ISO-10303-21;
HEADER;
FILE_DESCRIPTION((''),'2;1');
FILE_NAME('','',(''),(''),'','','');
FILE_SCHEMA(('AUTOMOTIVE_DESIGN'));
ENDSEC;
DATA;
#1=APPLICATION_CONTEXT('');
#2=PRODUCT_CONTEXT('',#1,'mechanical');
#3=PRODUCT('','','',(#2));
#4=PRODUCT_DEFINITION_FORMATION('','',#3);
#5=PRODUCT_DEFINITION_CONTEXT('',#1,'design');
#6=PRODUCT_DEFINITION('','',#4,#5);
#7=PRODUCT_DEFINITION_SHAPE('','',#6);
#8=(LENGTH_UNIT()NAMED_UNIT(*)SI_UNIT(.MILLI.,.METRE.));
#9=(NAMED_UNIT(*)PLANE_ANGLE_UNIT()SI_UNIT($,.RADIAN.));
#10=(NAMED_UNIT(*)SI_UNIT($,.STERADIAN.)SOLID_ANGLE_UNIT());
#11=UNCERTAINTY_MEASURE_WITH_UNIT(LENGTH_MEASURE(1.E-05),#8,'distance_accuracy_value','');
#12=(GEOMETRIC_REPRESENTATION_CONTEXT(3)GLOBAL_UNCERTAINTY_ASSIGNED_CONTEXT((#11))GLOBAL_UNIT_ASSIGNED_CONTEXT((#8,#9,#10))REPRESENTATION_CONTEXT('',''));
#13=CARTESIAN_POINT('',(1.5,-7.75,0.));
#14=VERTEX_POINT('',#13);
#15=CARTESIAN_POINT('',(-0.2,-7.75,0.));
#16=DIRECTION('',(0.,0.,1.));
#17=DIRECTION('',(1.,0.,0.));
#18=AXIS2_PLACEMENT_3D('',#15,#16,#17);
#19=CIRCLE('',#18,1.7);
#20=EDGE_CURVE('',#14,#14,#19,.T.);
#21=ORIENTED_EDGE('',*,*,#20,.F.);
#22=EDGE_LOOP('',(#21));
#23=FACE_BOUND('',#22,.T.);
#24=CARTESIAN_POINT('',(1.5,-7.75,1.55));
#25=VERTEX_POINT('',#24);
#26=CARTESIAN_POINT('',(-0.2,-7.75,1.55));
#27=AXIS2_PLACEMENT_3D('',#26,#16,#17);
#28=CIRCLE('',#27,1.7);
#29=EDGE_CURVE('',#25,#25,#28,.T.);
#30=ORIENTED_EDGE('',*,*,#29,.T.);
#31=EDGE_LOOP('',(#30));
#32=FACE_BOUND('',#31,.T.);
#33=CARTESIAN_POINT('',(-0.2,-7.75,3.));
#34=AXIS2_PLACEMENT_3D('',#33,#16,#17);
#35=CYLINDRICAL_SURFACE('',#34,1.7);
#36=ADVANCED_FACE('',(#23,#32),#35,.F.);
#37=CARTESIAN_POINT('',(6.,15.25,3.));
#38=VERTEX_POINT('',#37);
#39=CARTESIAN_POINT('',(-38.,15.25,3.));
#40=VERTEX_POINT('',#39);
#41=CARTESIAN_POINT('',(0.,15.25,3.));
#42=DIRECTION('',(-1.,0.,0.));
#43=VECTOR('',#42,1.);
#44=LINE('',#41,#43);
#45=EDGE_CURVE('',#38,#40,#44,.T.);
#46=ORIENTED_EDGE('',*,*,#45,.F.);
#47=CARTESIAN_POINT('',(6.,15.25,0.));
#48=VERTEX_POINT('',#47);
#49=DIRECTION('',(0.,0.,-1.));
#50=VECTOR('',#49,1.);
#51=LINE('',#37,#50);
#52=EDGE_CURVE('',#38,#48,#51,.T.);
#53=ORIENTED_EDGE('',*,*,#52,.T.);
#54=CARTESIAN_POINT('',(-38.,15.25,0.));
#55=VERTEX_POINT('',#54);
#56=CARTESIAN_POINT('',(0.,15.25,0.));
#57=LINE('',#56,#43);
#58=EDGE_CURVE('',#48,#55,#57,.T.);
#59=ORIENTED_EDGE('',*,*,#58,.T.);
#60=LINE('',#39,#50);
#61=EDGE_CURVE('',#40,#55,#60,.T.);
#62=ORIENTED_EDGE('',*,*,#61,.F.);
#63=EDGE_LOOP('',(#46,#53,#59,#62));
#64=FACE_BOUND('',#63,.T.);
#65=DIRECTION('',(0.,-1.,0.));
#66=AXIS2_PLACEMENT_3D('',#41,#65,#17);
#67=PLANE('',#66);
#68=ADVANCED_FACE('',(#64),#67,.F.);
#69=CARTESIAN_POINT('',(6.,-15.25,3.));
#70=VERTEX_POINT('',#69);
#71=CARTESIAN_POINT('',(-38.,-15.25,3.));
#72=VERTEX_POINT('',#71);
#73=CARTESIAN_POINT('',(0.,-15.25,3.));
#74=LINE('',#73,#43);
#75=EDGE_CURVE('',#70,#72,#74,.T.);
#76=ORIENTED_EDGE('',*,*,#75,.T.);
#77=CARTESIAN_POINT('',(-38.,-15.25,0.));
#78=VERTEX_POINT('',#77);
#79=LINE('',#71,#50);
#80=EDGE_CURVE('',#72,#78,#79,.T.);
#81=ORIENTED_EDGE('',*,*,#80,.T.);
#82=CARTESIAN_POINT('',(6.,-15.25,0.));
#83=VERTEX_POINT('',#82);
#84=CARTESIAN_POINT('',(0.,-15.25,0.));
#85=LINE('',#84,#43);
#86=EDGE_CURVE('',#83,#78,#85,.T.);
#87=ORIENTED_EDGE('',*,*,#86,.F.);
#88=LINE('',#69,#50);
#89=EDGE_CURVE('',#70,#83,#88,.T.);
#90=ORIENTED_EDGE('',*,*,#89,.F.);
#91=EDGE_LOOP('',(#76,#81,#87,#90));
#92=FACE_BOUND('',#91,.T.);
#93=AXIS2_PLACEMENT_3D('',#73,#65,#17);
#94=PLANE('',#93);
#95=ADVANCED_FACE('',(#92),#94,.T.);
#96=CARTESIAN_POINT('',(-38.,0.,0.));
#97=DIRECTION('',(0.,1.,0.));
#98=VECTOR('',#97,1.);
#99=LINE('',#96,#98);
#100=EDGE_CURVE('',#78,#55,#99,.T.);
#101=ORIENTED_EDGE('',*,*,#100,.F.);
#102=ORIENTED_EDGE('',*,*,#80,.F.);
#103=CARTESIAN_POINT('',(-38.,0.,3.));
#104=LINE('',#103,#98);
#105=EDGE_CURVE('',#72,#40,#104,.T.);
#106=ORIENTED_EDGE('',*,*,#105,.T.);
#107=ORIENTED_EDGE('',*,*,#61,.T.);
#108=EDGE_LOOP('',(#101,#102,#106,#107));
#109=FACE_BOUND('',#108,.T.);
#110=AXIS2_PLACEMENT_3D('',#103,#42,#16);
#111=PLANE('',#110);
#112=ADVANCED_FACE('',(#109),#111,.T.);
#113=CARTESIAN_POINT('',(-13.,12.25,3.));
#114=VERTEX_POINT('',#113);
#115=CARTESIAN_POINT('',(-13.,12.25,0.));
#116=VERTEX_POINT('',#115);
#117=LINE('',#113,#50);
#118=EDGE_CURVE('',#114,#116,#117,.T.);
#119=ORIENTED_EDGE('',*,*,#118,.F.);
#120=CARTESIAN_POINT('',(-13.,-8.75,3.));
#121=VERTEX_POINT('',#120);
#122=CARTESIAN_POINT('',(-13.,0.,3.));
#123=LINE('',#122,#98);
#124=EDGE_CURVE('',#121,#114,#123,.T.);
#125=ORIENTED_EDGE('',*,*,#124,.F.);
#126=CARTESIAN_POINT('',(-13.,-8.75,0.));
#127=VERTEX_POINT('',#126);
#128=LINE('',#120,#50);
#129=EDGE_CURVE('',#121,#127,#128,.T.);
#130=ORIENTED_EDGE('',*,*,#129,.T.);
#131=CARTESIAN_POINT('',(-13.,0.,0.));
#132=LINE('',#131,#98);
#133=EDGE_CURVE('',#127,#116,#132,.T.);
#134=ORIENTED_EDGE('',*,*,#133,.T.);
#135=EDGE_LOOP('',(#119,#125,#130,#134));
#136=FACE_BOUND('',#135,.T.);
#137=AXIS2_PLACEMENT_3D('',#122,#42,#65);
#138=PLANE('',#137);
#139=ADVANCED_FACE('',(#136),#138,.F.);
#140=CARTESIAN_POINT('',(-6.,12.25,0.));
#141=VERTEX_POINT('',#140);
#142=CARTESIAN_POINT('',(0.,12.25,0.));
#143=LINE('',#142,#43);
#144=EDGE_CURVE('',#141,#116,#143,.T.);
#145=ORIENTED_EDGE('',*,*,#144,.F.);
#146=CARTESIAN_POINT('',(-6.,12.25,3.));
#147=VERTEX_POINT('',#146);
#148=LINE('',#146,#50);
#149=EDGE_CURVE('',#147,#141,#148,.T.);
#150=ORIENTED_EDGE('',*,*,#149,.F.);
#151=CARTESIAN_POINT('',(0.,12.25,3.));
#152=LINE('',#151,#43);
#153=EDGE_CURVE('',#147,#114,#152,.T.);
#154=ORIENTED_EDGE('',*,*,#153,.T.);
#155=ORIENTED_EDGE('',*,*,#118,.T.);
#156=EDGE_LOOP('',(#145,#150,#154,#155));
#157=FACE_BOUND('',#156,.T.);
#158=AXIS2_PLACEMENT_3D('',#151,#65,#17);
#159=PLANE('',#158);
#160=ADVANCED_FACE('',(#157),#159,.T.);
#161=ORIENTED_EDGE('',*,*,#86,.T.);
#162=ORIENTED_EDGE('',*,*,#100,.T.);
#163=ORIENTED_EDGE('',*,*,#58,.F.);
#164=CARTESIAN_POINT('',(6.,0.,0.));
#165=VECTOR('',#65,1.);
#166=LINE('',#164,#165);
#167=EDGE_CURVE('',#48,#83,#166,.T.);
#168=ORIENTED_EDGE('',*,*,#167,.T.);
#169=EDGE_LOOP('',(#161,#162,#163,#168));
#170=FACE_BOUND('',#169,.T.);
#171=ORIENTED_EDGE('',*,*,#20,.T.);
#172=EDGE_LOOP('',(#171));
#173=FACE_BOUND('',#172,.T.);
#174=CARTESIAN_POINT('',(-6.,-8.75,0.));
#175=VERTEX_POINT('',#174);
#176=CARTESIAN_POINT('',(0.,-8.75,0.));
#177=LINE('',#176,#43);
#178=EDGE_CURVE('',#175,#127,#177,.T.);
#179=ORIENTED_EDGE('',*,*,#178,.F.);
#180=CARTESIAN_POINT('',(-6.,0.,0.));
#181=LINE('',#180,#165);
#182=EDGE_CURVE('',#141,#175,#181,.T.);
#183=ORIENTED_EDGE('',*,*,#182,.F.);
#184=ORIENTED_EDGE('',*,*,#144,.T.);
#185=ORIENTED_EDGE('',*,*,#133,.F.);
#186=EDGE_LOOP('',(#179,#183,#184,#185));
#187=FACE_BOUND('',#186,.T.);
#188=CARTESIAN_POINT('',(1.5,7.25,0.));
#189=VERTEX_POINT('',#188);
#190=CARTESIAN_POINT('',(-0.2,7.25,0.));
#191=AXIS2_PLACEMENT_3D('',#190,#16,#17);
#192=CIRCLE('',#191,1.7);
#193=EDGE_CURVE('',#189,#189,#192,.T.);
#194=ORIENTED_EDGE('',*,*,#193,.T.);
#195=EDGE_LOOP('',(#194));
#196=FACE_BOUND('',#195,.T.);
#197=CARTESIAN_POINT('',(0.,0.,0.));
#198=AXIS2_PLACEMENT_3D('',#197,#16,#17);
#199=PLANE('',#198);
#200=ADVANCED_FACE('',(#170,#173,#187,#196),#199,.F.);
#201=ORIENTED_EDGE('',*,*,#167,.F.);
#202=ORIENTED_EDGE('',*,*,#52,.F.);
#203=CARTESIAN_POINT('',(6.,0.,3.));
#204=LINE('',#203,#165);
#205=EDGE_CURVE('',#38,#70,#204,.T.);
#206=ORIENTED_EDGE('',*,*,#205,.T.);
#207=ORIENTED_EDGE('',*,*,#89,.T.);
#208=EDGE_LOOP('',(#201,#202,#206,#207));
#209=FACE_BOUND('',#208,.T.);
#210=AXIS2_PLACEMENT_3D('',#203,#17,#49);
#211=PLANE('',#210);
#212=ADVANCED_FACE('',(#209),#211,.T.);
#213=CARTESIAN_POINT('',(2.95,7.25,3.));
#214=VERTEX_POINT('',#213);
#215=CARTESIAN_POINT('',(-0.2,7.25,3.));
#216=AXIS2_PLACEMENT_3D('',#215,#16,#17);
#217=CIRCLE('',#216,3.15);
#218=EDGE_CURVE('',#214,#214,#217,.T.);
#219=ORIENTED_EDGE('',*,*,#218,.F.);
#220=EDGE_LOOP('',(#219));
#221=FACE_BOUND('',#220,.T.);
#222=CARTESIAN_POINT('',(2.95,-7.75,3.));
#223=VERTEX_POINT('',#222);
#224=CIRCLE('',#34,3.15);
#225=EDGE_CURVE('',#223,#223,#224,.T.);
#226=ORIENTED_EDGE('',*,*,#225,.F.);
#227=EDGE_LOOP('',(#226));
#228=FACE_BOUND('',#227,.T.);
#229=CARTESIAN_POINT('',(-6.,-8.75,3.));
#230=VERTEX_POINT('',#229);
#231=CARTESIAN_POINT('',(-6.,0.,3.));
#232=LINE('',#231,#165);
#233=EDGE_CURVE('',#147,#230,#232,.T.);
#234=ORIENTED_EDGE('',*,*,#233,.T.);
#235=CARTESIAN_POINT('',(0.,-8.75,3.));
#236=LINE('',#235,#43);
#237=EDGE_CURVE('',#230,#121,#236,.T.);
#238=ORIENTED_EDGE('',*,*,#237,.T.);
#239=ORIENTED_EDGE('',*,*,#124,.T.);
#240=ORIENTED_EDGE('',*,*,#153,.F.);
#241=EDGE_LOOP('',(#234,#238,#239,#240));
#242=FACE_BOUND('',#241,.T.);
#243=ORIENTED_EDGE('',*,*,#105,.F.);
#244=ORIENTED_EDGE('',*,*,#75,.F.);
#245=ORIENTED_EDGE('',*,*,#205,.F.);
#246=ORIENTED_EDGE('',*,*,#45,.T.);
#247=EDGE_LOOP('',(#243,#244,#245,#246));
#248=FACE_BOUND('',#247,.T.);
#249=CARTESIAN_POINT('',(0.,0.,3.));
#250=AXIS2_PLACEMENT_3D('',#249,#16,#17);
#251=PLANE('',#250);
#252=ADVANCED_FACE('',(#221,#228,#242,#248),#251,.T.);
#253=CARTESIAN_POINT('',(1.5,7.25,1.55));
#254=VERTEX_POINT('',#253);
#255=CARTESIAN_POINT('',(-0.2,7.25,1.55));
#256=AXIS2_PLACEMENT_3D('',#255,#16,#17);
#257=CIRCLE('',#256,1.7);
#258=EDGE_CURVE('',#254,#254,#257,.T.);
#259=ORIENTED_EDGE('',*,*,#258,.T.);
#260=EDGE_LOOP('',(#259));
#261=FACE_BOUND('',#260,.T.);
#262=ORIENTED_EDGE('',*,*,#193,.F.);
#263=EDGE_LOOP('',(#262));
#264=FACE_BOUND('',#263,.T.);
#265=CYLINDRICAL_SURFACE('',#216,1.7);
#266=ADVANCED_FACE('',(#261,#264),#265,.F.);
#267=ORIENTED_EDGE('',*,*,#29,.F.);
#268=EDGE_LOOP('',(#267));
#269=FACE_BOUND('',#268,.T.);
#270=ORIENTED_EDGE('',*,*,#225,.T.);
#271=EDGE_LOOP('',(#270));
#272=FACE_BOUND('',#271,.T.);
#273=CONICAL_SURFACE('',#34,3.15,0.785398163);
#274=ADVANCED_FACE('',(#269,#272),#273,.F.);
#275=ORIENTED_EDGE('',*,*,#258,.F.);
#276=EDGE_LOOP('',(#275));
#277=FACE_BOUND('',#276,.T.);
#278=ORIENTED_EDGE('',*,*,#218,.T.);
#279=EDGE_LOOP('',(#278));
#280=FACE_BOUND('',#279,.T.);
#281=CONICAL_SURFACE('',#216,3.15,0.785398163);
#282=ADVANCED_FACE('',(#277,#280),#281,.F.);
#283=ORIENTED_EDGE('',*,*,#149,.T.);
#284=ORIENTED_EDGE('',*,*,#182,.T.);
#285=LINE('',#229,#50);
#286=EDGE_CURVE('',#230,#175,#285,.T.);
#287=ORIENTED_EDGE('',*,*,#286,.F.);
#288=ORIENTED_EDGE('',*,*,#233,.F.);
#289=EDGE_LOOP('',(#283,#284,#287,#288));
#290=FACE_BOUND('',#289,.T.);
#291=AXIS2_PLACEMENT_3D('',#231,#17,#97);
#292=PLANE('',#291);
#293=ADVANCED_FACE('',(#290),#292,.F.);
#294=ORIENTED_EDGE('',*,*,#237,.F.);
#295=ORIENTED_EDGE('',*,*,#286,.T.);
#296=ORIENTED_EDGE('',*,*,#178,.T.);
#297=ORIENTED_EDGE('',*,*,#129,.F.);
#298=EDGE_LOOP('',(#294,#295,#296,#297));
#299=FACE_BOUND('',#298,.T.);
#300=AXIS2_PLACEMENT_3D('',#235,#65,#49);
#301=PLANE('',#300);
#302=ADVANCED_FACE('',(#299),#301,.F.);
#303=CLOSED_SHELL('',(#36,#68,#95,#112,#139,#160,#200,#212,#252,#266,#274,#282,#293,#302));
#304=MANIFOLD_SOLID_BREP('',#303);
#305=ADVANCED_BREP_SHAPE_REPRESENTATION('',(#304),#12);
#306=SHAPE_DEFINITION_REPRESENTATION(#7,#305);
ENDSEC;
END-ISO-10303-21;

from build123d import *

# Parameters (mm, degrees)
SKETCH1_W                                      = 12
SKETCH1_H                                      = 30.5
SKETCH1_R                                      = 1.383995923
SKETCH1_R_2                                    = 1.420525084
BOSS_EXTRUDE1_DEPTH                            = 3
CSK_FOR_M3_FLAT_HEAD_MACHINE_SCREW1_AT_2_COUNT = 2
CSK_FOR_M3_FLAT_HEAD_MACHINE_SCREW1_AT_2_PITCH = 15


with BuildPart() as part:
    # Sketch1 → Boss-Extrude1 (new body)
    with BuildSketch(Plane.XY):
        Polygon((-6, 12.25), (-6, 15.25), (-38, 15.25), (-38, -15.25), (-6, -15.25), (-6, -8.75), (-13, -8.75), (-13, 12.25), align=None)
        Rectangle(SKETCH1_W, SKETCH1_H)
        with Locations((-0.2, 7.25)):
            Circle(SKETCH1_R, mode=Mode.SUBTRACT)
        with Locations((-0.2, -7.75)):
            Circle(SKETCH1_R_2, mode=Mode.SUBTRACT)
    extrude(amount=BOSS_EXTRUDE1_DEPTH)

    # Sketch4 → CSK for M3 Flat Head Machine Screw1 (revolve, cut)
    with BuildSketch(Plane(origin=(-0.2, 7.25, 3), x_dir=(0, -1, 0), z_dir=(1, 0, 0))):
        Polygon((0, 0), (0, 3), (1.7, 3), (1.7, 1.45), (3.15, 0), align=None)
    csk_for_m3_flat_head_machine_screw1 = revolve(axis=Axis((-0.2, 7.25, 9.35), (0, 0, -1)), mode=Mode.SUBTRACT)

    # CSK for M3 Flat Head Machine Screw1 at 2: CSK for M3 Flat Head Machine Screw1 ×2
    with Locations(*[(0, -i * CSK_FOR_M3_FLAT_HEAD_MACHINE_SCREW1_AT_2_PITCH, 0) for i in range(1, CSK_FOR_M3_FLAT_HEAD_MACHINE_SCREW1_AT_2_COUNT)]):
        add(csk_for_m3_flat_head_machine_screw1, mode=Mode.SUBTRACT)


solid = part.part
